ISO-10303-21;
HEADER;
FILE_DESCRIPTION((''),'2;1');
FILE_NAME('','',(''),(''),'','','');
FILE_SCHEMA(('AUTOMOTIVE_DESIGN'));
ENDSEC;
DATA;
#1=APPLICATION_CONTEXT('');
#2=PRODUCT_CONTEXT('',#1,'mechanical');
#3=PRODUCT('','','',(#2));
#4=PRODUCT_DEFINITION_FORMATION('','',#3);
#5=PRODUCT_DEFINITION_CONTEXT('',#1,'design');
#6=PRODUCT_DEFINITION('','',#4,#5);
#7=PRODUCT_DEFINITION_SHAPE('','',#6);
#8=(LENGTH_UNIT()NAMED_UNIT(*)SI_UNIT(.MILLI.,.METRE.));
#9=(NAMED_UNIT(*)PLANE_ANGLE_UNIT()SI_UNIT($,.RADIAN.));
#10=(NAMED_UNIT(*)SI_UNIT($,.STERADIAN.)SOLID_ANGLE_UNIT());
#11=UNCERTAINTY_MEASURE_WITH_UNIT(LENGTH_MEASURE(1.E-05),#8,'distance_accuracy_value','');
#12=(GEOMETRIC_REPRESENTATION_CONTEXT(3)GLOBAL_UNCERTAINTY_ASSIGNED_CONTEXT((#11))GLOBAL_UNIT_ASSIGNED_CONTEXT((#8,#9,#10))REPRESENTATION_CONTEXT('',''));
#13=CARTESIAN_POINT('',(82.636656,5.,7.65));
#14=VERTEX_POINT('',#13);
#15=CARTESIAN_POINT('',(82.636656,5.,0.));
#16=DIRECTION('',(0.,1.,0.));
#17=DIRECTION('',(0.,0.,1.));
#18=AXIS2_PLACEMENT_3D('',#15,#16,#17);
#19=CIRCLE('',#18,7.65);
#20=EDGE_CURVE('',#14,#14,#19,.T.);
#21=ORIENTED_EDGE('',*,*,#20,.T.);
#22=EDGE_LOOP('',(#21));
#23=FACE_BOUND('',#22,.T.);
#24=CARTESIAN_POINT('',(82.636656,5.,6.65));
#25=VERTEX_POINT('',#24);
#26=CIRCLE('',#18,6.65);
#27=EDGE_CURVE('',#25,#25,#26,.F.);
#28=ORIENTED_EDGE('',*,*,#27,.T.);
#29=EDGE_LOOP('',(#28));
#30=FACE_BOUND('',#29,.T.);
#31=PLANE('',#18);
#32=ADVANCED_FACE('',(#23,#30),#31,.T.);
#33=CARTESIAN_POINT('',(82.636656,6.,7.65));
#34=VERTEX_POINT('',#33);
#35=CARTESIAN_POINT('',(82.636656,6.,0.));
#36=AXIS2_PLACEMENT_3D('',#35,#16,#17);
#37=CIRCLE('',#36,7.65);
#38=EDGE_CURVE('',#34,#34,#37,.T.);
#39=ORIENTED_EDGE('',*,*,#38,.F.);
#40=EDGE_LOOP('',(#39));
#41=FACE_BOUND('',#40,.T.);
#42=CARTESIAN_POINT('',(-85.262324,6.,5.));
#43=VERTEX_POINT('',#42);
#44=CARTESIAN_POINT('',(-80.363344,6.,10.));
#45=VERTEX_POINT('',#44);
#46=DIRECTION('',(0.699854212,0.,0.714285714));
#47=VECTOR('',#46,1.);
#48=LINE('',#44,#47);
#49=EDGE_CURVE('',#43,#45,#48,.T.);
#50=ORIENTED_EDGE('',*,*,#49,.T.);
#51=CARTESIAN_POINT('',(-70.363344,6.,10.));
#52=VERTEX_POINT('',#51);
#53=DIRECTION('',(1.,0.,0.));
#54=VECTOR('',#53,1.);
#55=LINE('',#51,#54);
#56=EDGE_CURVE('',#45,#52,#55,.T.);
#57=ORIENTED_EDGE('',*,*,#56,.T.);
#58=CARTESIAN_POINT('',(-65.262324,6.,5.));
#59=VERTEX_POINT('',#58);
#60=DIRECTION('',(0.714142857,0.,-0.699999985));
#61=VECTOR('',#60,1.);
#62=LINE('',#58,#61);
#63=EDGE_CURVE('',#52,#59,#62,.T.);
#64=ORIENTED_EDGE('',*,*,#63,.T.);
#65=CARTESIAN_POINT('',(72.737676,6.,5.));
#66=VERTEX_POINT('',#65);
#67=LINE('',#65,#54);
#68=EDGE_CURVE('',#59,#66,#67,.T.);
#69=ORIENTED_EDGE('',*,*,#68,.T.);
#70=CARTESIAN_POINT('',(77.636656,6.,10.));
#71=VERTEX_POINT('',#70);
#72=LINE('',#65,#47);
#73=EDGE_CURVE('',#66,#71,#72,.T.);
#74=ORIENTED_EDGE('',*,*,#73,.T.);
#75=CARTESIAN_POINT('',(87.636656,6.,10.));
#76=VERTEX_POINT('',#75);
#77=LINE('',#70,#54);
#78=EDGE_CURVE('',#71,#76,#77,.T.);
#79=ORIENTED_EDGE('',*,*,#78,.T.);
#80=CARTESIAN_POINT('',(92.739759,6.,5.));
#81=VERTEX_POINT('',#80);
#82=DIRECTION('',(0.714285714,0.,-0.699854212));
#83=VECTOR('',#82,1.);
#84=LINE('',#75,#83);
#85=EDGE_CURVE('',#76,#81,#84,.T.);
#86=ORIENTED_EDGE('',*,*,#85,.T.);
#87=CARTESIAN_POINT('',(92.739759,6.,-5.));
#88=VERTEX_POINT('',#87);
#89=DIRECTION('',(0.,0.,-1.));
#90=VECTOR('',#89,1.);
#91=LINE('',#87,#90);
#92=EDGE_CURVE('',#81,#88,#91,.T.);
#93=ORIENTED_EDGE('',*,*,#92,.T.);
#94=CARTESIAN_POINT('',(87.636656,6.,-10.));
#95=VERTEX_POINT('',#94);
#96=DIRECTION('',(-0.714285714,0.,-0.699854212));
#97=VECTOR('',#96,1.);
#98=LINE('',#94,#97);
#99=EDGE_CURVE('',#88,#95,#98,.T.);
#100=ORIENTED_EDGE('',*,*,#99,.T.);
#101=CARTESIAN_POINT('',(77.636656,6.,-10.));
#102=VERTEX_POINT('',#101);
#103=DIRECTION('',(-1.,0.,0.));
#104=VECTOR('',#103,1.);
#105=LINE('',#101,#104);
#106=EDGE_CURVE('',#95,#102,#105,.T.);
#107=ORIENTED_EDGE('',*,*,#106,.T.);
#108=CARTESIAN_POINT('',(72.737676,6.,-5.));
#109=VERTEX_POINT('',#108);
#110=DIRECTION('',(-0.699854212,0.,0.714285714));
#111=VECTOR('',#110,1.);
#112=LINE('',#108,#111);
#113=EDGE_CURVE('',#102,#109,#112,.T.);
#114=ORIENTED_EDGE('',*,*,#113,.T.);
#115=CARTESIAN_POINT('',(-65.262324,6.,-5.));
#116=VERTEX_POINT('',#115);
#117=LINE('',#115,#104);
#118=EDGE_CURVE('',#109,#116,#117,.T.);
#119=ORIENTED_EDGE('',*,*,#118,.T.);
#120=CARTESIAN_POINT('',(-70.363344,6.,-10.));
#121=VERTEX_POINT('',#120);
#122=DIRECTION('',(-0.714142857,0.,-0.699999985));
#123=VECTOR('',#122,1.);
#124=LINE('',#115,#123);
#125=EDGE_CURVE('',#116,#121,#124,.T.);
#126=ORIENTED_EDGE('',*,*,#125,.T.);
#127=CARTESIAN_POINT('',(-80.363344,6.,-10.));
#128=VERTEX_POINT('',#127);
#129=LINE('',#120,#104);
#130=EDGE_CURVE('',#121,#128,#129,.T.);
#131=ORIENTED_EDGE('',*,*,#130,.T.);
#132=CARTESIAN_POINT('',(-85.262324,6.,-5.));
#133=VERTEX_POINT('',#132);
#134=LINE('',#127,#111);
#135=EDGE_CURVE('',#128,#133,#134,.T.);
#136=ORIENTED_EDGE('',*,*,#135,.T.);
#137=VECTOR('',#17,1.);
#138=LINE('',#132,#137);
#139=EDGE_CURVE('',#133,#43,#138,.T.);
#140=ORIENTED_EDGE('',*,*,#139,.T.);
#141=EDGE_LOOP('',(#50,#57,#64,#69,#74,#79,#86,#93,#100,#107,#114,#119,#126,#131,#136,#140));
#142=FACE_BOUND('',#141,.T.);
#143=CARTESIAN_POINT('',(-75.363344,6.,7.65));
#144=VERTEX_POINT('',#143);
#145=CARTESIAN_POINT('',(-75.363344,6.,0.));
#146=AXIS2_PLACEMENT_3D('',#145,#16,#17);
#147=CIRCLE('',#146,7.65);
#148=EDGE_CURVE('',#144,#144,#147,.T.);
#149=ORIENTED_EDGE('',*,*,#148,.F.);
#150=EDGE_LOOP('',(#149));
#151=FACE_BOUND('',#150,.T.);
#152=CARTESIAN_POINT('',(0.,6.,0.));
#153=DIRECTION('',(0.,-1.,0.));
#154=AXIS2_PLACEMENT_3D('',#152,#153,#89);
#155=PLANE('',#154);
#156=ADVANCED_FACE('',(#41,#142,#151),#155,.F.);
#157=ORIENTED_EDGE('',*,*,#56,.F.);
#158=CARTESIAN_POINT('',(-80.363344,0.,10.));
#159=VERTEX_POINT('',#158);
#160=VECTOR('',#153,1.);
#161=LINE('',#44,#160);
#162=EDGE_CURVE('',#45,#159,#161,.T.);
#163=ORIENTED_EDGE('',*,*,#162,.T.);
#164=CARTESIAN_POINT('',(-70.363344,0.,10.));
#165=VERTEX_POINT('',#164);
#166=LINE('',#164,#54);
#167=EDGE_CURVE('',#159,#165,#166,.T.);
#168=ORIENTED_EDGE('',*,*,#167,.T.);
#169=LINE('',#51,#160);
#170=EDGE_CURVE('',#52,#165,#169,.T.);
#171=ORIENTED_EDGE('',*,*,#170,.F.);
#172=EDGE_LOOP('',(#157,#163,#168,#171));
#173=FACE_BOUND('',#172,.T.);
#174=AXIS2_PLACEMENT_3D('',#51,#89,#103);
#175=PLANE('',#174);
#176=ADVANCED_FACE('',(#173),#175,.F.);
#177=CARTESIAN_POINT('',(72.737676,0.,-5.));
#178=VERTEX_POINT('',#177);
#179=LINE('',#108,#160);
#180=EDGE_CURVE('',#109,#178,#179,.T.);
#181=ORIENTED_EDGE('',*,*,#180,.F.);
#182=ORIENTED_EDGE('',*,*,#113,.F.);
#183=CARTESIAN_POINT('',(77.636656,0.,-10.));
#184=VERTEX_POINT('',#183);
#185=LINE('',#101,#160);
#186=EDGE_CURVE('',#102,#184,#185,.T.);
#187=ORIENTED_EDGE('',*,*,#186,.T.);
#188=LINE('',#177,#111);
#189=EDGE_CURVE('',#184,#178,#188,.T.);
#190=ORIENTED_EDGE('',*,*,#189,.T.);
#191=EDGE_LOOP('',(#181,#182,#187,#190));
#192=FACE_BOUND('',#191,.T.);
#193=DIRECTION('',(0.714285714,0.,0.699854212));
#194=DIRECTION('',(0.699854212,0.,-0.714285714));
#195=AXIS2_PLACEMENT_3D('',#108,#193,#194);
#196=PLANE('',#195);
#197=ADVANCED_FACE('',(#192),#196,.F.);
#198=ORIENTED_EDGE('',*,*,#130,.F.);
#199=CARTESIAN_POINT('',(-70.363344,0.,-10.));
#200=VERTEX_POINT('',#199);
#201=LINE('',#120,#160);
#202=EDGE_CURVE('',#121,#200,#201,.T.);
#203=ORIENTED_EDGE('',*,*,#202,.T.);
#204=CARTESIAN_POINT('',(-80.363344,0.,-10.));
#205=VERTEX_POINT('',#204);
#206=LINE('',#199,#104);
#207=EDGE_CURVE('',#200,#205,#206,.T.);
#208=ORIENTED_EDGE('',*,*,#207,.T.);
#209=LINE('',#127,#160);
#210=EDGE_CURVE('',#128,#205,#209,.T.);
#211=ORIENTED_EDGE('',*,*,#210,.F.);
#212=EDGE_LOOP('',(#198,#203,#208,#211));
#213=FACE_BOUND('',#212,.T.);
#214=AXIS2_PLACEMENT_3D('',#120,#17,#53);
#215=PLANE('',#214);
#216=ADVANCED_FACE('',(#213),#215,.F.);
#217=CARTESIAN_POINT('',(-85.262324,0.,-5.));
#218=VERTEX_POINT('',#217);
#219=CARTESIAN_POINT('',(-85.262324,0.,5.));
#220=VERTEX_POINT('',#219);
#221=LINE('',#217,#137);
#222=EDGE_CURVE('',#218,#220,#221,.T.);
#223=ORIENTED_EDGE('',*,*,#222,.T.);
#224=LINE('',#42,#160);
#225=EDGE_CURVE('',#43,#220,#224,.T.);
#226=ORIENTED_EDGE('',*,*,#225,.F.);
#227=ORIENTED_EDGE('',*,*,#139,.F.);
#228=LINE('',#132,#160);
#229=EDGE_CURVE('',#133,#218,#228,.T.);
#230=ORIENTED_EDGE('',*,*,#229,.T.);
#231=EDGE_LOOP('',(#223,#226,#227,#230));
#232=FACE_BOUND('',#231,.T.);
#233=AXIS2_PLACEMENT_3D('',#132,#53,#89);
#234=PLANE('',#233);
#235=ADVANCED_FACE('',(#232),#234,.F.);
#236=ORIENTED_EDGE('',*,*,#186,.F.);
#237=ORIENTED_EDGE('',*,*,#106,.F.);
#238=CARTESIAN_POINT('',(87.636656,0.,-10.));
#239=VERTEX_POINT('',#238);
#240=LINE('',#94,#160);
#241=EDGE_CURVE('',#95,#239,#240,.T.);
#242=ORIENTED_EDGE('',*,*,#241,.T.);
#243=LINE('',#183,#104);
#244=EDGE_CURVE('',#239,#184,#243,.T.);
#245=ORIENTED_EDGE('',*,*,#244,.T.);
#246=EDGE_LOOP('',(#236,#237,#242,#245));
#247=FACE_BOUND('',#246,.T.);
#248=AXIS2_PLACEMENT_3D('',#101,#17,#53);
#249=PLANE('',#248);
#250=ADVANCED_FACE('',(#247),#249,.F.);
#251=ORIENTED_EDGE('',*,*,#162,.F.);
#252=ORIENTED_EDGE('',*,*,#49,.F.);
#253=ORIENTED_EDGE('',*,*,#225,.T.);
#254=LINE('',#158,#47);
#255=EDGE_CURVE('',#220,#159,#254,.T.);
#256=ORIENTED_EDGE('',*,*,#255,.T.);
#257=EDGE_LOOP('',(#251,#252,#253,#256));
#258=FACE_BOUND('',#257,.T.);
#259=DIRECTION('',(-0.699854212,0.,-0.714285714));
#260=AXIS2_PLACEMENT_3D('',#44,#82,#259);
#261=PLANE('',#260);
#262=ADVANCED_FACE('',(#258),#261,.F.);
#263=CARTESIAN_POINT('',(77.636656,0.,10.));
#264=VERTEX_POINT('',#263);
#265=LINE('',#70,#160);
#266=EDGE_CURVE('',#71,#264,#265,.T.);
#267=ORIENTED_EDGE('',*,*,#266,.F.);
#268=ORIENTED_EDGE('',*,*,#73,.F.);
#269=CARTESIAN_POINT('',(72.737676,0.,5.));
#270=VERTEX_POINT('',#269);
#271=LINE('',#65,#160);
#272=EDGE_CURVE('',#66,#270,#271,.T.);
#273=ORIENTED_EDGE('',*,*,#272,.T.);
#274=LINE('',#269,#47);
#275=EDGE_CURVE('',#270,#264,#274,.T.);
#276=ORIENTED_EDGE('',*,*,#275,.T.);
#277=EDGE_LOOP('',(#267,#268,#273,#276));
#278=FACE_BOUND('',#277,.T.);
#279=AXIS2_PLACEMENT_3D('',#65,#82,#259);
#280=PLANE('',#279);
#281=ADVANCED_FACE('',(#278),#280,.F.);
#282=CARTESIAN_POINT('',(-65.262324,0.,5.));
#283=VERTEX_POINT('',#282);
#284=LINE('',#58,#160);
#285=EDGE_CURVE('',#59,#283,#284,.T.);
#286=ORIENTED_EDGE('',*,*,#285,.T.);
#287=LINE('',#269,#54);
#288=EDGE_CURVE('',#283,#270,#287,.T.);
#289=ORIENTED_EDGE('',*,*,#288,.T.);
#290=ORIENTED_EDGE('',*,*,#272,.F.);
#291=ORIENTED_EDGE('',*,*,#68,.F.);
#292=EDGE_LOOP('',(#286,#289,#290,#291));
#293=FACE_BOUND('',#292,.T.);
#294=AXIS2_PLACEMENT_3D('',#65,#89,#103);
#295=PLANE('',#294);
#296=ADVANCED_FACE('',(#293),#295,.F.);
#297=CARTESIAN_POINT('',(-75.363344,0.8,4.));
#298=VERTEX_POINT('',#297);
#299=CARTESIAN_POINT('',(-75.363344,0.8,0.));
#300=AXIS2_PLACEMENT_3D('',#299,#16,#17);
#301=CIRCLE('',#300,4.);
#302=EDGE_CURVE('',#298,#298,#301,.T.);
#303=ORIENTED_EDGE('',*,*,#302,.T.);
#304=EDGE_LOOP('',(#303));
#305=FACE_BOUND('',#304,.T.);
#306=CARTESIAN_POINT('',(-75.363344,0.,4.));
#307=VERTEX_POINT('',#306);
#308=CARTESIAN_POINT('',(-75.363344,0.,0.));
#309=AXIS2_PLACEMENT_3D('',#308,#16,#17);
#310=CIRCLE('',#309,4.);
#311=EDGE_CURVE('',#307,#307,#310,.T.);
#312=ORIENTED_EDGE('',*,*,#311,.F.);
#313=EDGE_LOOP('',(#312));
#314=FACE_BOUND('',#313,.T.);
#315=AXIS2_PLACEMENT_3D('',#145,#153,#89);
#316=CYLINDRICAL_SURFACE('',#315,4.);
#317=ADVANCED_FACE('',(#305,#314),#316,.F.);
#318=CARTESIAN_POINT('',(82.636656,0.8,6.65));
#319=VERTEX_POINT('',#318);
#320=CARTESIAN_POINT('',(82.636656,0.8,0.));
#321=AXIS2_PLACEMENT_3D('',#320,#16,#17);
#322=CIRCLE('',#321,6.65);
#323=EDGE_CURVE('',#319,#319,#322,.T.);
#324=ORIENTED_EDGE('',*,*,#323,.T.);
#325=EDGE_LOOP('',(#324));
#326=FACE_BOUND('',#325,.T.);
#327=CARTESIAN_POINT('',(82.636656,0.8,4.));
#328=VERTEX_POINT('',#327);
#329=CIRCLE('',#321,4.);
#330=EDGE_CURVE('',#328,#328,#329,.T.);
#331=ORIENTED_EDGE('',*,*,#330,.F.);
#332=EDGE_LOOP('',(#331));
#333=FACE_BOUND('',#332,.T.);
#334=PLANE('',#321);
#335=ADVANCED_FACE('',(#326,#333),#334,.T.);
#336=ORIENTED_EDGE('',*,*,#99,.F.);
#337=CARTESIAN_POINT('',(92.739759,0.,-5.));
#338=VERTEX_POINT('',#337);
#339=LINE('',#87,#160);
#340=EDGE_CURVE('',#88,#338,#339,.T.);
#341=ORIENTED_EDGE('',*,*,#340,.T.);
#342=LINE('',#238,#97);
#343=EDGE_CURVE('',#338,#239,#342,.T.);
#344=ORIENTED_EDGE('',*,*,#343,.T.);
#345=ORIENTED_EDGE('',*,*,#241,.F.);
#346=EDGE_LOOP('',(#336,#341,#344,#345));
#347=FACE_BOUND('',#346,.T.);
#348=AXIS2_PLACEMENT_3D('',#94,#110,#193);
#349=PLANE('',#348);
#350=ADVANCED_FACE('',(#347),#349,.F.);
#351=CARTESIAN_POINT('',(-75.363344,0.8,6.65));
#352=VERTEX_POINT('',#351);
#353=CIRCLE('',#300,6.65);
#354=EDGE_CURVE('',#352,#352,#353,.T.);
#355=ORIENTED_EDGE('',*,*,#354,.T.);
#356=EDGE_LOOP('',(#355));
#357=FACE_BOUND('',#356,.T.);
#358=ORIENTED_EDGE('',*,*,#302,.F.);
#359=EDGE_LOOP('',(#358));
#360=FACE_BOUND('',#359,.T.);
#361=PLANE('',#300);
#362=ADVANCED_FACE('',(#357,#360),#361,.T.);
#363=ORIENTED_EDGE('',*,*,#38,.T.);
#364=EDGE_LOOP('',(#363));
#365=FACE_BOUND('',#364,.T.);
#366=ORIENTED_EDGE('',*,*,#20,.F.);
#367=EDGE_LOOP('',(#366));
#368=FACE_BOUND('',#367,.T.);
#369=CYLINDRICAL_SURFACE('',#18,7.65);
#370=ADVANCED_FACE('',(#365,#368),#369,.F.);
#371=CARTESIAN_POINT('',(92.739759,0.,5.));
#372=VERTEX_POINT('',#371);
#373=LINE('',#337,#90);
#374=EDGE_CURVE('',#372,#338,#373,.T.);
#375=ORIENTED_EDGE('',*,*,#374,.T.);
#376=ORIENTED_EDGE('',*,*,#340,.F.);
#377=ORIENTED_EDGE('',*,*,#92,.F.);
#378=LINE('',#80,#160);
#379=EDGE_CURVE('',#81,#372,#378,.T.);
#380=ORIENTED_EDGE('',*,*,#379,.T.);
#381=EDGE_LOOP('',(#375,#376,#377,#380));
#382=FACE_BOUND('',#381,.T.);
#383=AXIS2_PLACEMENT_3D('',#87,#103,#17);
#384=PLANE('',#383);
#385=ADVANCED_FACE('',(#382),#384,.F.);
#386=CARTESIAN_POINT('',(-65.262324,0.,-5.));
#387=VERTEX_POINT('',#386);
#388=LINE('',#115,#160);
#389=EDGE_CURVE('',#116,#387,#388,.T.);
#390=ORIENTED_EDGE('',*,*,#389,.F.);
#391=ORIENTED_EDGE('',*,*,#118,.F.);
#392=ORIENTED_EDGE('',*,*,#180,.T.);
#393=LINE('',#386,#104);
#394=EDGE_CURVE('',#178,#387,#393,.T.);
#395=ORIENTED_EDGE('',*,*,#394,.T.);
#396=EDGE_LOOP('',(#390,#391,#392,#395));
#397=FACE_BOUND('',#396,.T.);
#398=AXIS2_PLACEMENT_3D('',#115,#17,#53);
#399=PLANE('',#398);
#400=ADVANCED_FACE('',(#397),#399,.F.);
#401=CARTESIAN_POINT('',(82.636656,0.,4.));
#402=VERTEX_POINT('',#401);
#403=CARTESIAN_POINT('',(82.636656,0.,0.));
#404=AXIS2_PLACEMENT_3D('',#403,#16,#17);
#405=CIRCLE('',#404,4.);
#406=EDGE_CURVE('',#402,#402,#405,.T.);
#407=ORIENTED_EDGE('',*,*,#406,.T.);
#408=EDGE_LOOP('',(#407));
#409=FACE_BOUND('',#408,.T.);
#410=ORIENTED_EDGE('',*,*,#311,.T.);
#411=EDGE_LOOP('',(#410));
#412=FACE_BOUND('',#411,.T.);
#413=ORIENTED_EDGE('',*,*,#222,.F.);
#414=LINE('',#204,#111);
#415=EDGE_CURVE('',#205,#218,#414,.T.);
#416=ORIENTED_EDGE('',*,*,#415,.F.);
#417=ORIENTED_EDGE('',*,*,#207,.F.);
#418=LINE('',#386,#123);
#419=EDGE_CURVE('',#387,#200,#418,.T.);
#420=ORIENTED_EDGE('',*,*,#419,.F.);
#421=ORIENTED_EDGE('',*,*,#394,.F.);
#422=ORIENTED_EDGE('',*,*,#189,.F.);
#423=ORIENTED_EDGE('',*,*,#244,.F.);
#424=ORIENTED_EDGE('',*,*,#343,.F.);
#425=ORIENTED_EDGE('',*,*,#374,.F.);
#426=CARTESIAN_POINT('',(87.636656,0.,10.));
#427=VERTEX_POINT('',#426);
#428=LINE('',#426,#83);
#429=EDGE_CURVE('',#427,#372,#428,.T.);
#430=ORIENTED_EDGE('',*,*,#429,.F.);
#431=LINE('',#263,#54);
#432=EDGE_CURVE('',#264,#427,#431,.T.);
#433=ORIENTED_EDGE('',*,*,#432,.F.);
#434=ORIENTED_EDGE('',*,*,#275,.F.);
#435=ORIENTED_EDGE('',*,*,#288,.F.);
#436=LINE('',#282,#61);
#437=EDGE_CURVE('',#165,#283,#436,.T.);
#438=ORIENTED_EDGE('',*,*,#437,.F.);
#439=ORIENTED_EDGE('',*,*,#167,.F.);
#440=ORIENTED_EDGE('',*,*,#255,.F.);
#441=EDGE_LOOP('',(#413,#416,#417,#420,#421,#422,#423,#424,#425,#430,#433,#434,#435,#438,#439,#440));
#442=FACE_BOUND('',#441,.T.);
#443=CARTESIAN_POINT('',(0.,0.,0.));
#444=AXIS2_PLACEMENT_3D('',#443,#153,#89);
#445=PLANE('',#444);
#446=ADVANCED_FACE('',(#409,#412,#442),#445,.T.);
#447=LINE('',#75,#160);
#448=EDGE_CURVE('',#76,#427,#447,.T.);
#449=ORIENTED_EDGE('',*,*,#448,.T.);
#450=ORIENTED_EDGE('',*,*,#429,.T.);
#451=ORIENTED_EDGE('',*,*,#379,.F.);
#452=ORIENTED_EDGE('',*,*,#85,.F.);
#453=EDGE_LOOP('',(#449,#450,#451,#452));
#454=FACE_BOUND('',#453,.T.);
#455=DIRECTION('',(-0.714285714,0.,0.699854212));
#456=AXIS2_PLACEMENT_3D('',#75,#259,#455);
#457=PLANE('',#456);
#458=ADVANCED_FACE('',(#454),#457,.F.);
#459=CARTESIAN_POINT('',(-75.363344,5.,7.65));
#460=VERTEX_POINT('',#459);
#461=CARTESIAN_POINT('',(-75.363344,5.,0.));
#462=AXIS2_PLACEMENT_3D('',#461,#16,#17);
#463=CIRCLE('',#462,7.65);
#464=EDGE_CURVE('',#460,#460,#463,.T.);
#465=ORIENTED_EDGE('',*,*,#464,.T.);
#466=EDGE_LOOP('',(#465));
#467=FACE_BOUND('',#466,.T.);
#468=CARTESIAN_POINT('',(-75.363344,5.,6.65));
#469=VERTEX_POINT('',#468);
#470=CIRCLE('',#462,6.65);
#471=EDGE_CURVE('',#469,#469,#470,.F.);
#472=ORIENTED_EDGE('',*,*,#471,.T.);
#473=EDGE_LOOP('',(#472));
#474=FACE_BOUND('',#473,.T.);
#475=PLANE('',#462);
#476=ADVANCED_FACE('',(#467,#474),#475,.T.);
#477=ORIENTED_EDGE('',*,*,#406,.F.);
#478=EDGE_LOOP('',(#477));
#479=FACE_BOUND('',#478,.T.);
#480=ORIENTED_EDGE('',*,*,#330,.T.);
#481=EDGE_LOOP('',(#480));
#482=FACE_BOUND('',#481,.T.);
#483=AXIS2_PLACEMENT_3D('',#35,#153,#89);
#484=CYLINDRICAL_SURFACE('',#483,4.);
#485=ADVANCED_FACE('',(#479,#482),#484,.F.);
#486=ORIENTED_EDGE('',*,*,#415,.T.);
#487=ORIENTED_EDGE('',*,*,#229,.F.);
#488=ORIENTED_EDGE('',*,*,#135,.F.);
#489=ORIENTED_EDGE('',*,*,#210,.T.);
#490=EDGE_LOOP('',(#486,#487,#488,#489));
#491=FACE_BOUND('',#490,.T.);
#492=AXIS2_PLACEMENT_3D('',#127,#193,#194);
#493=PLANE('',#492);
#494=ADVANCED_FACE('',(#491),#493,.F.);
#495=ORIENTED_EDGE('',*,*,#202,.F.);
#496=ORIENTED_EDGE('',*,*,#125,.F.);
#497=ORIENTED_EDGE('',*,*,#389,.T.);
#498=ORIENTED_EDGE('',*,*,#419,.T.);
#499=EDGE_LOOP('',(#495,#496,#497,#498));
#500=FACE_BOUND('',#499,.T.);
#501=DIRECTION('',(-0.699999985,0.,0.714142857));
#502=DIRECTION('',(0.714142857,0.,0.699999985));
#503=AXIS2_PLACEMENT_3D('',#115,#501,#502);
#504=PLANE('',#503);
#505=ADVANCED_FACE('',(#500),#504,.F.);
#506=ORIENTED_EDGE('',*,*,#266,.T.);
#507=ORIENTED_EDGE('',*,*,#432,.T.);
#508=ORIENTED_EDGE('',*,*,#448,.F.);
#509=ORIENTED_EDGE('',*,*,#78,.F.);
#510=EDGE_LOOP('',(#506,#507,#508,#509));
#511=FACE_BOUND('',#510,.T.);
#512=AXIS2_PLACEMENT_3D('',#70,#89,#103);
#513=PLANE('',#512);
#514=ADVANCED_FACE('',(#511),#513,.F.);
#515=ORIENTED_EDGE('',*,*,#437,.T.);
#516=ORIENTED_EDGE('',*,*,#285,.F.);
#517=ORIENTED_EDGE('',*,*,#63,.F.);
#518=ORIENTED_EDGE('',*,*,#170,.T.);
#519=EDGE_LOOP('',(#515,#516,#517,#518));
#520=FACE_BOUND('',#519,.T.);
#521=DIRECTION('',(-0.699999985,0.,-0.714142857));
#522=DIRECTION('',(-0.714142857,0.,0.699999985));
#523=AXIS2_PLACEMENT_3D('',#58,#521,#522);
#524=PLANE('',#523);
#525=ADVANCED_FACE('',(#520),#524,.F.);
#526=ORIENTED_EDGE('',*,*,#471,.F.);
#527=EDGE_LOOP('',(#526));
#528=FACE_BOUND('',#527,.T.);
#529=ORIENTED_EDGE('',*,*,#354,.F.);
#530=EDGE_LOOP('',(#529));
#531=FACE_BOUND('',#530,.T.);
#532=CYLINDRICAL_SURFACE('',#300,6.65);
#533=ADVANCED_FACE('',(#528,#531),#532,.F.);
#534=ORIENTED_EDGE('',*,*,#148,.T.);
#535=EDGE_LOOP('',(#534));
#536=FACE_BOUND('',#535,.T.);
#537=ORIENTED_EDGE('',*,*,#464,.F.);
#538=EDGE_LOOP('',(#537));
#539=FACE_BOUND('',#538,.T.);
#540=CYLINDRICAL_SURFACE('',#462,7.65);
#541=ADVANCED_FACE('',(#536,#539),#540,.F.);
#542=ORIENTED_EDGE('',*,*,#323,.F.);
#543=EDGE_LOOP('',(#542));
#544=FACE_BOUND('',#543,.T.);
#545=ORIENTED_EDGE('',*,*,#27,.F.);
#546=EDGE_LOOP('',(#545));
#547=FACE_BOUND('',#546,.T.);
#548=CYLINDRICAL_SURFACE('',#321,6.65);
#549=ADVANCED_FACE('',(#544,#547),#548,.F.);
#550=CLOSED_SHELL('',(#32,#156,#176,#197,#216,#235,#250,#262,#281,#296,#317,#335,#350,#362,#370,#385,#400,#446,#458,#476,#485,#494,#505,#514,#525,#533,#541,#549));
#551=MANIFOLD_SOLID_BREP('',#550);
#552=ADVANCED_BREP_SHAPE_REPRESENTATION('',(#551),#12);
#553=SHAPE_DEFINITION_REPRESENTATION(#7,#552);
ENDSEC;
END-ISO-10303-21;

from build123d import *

# Parameters (mm, degrees)
SKETCH_1_R          = 4
EXTRUDE_1_DEPTH     = 6
SKETCH_2_R          = 6.65
CUT_EXTRUDE_1_DEPTH = 5.2
SKETCH_3_R          = 7.65
CUT_EXTRUDE_2_DEPTH = 1


with BuildPart() as part:
    # 草图1 → 凸台-拉伸1 (new body)
    with BuildSketch(Plane(origin=(0, 0, 0), x_dir=(1, 0, 0), z_dir=(0, 1, 0))):
        Polygon((-65.26232397, 5), (-70.363344484, 10), (-80.363344484, 10), (-85.26232397, 5), (-85.26232397, -5), (-80.363344484, -10), (-70.363344484, -10), (-65.26232397, -5), (72.73767603, -5), (77.636655516, -10), (87.636655516, -10), (92.739759147, -5), (92.739759147, 5), (87.636655516, 10), (77.636655516, 10), (72.73767603, 5), align=None)
        with Locations(Location((-75.363344484, 0, 0), (0, 0, 270))):
            Circle(SKETCH_1_R, mode=Mode.SUBTRACT)
        with Locations(Location((82.636655516, 0, 0), (0, 0, 270))):
            Circle(SKETCH_1_R, mode=Mode.SUBTRACT)
    extrude(amount=EXTRUDE_1_DEPTH)

    # 草图2 → 切除-拉伸1 (cut)
    with BuildSketch(Plane(origin=(0, 6, 0), x_dir=(1, 0, 0), z_dir=(0, 1, 0))):
        with Locations(Location((82.636655516, 0, 0), (0, 0, 270))):
            Circle(SKETCH_2_R)
        with Locations(Location((-75.363344484, 0, 0), (0, 0, 270))):
            Circle(SKETCH_2_R)
    extrude(amount=-CUT_EXTRUDE_1_DEPTH, mode=Mode.SUBTRACT)

    # 草图3 → 切除-拉伸2 (cut)
    with BuildSketch(Plane(origin=(0, 6, 0), x_dir=(1, 0, 0), z_dir=(0, 1, 0))):
        with Locations(Location((82.636655516, 0, 0), (0, 0, 270))):
            Circle(SKETCH_3_R)
        with Locations(Location((-75.363344484, 0, 0), (0, 0, 270))):
            Circle(SKETCH_3_R)
    extrude(amount=-CUT_EXTRUDE_2_DEPTH, mode=Mode.SUBTRACT)


solid = part.part
